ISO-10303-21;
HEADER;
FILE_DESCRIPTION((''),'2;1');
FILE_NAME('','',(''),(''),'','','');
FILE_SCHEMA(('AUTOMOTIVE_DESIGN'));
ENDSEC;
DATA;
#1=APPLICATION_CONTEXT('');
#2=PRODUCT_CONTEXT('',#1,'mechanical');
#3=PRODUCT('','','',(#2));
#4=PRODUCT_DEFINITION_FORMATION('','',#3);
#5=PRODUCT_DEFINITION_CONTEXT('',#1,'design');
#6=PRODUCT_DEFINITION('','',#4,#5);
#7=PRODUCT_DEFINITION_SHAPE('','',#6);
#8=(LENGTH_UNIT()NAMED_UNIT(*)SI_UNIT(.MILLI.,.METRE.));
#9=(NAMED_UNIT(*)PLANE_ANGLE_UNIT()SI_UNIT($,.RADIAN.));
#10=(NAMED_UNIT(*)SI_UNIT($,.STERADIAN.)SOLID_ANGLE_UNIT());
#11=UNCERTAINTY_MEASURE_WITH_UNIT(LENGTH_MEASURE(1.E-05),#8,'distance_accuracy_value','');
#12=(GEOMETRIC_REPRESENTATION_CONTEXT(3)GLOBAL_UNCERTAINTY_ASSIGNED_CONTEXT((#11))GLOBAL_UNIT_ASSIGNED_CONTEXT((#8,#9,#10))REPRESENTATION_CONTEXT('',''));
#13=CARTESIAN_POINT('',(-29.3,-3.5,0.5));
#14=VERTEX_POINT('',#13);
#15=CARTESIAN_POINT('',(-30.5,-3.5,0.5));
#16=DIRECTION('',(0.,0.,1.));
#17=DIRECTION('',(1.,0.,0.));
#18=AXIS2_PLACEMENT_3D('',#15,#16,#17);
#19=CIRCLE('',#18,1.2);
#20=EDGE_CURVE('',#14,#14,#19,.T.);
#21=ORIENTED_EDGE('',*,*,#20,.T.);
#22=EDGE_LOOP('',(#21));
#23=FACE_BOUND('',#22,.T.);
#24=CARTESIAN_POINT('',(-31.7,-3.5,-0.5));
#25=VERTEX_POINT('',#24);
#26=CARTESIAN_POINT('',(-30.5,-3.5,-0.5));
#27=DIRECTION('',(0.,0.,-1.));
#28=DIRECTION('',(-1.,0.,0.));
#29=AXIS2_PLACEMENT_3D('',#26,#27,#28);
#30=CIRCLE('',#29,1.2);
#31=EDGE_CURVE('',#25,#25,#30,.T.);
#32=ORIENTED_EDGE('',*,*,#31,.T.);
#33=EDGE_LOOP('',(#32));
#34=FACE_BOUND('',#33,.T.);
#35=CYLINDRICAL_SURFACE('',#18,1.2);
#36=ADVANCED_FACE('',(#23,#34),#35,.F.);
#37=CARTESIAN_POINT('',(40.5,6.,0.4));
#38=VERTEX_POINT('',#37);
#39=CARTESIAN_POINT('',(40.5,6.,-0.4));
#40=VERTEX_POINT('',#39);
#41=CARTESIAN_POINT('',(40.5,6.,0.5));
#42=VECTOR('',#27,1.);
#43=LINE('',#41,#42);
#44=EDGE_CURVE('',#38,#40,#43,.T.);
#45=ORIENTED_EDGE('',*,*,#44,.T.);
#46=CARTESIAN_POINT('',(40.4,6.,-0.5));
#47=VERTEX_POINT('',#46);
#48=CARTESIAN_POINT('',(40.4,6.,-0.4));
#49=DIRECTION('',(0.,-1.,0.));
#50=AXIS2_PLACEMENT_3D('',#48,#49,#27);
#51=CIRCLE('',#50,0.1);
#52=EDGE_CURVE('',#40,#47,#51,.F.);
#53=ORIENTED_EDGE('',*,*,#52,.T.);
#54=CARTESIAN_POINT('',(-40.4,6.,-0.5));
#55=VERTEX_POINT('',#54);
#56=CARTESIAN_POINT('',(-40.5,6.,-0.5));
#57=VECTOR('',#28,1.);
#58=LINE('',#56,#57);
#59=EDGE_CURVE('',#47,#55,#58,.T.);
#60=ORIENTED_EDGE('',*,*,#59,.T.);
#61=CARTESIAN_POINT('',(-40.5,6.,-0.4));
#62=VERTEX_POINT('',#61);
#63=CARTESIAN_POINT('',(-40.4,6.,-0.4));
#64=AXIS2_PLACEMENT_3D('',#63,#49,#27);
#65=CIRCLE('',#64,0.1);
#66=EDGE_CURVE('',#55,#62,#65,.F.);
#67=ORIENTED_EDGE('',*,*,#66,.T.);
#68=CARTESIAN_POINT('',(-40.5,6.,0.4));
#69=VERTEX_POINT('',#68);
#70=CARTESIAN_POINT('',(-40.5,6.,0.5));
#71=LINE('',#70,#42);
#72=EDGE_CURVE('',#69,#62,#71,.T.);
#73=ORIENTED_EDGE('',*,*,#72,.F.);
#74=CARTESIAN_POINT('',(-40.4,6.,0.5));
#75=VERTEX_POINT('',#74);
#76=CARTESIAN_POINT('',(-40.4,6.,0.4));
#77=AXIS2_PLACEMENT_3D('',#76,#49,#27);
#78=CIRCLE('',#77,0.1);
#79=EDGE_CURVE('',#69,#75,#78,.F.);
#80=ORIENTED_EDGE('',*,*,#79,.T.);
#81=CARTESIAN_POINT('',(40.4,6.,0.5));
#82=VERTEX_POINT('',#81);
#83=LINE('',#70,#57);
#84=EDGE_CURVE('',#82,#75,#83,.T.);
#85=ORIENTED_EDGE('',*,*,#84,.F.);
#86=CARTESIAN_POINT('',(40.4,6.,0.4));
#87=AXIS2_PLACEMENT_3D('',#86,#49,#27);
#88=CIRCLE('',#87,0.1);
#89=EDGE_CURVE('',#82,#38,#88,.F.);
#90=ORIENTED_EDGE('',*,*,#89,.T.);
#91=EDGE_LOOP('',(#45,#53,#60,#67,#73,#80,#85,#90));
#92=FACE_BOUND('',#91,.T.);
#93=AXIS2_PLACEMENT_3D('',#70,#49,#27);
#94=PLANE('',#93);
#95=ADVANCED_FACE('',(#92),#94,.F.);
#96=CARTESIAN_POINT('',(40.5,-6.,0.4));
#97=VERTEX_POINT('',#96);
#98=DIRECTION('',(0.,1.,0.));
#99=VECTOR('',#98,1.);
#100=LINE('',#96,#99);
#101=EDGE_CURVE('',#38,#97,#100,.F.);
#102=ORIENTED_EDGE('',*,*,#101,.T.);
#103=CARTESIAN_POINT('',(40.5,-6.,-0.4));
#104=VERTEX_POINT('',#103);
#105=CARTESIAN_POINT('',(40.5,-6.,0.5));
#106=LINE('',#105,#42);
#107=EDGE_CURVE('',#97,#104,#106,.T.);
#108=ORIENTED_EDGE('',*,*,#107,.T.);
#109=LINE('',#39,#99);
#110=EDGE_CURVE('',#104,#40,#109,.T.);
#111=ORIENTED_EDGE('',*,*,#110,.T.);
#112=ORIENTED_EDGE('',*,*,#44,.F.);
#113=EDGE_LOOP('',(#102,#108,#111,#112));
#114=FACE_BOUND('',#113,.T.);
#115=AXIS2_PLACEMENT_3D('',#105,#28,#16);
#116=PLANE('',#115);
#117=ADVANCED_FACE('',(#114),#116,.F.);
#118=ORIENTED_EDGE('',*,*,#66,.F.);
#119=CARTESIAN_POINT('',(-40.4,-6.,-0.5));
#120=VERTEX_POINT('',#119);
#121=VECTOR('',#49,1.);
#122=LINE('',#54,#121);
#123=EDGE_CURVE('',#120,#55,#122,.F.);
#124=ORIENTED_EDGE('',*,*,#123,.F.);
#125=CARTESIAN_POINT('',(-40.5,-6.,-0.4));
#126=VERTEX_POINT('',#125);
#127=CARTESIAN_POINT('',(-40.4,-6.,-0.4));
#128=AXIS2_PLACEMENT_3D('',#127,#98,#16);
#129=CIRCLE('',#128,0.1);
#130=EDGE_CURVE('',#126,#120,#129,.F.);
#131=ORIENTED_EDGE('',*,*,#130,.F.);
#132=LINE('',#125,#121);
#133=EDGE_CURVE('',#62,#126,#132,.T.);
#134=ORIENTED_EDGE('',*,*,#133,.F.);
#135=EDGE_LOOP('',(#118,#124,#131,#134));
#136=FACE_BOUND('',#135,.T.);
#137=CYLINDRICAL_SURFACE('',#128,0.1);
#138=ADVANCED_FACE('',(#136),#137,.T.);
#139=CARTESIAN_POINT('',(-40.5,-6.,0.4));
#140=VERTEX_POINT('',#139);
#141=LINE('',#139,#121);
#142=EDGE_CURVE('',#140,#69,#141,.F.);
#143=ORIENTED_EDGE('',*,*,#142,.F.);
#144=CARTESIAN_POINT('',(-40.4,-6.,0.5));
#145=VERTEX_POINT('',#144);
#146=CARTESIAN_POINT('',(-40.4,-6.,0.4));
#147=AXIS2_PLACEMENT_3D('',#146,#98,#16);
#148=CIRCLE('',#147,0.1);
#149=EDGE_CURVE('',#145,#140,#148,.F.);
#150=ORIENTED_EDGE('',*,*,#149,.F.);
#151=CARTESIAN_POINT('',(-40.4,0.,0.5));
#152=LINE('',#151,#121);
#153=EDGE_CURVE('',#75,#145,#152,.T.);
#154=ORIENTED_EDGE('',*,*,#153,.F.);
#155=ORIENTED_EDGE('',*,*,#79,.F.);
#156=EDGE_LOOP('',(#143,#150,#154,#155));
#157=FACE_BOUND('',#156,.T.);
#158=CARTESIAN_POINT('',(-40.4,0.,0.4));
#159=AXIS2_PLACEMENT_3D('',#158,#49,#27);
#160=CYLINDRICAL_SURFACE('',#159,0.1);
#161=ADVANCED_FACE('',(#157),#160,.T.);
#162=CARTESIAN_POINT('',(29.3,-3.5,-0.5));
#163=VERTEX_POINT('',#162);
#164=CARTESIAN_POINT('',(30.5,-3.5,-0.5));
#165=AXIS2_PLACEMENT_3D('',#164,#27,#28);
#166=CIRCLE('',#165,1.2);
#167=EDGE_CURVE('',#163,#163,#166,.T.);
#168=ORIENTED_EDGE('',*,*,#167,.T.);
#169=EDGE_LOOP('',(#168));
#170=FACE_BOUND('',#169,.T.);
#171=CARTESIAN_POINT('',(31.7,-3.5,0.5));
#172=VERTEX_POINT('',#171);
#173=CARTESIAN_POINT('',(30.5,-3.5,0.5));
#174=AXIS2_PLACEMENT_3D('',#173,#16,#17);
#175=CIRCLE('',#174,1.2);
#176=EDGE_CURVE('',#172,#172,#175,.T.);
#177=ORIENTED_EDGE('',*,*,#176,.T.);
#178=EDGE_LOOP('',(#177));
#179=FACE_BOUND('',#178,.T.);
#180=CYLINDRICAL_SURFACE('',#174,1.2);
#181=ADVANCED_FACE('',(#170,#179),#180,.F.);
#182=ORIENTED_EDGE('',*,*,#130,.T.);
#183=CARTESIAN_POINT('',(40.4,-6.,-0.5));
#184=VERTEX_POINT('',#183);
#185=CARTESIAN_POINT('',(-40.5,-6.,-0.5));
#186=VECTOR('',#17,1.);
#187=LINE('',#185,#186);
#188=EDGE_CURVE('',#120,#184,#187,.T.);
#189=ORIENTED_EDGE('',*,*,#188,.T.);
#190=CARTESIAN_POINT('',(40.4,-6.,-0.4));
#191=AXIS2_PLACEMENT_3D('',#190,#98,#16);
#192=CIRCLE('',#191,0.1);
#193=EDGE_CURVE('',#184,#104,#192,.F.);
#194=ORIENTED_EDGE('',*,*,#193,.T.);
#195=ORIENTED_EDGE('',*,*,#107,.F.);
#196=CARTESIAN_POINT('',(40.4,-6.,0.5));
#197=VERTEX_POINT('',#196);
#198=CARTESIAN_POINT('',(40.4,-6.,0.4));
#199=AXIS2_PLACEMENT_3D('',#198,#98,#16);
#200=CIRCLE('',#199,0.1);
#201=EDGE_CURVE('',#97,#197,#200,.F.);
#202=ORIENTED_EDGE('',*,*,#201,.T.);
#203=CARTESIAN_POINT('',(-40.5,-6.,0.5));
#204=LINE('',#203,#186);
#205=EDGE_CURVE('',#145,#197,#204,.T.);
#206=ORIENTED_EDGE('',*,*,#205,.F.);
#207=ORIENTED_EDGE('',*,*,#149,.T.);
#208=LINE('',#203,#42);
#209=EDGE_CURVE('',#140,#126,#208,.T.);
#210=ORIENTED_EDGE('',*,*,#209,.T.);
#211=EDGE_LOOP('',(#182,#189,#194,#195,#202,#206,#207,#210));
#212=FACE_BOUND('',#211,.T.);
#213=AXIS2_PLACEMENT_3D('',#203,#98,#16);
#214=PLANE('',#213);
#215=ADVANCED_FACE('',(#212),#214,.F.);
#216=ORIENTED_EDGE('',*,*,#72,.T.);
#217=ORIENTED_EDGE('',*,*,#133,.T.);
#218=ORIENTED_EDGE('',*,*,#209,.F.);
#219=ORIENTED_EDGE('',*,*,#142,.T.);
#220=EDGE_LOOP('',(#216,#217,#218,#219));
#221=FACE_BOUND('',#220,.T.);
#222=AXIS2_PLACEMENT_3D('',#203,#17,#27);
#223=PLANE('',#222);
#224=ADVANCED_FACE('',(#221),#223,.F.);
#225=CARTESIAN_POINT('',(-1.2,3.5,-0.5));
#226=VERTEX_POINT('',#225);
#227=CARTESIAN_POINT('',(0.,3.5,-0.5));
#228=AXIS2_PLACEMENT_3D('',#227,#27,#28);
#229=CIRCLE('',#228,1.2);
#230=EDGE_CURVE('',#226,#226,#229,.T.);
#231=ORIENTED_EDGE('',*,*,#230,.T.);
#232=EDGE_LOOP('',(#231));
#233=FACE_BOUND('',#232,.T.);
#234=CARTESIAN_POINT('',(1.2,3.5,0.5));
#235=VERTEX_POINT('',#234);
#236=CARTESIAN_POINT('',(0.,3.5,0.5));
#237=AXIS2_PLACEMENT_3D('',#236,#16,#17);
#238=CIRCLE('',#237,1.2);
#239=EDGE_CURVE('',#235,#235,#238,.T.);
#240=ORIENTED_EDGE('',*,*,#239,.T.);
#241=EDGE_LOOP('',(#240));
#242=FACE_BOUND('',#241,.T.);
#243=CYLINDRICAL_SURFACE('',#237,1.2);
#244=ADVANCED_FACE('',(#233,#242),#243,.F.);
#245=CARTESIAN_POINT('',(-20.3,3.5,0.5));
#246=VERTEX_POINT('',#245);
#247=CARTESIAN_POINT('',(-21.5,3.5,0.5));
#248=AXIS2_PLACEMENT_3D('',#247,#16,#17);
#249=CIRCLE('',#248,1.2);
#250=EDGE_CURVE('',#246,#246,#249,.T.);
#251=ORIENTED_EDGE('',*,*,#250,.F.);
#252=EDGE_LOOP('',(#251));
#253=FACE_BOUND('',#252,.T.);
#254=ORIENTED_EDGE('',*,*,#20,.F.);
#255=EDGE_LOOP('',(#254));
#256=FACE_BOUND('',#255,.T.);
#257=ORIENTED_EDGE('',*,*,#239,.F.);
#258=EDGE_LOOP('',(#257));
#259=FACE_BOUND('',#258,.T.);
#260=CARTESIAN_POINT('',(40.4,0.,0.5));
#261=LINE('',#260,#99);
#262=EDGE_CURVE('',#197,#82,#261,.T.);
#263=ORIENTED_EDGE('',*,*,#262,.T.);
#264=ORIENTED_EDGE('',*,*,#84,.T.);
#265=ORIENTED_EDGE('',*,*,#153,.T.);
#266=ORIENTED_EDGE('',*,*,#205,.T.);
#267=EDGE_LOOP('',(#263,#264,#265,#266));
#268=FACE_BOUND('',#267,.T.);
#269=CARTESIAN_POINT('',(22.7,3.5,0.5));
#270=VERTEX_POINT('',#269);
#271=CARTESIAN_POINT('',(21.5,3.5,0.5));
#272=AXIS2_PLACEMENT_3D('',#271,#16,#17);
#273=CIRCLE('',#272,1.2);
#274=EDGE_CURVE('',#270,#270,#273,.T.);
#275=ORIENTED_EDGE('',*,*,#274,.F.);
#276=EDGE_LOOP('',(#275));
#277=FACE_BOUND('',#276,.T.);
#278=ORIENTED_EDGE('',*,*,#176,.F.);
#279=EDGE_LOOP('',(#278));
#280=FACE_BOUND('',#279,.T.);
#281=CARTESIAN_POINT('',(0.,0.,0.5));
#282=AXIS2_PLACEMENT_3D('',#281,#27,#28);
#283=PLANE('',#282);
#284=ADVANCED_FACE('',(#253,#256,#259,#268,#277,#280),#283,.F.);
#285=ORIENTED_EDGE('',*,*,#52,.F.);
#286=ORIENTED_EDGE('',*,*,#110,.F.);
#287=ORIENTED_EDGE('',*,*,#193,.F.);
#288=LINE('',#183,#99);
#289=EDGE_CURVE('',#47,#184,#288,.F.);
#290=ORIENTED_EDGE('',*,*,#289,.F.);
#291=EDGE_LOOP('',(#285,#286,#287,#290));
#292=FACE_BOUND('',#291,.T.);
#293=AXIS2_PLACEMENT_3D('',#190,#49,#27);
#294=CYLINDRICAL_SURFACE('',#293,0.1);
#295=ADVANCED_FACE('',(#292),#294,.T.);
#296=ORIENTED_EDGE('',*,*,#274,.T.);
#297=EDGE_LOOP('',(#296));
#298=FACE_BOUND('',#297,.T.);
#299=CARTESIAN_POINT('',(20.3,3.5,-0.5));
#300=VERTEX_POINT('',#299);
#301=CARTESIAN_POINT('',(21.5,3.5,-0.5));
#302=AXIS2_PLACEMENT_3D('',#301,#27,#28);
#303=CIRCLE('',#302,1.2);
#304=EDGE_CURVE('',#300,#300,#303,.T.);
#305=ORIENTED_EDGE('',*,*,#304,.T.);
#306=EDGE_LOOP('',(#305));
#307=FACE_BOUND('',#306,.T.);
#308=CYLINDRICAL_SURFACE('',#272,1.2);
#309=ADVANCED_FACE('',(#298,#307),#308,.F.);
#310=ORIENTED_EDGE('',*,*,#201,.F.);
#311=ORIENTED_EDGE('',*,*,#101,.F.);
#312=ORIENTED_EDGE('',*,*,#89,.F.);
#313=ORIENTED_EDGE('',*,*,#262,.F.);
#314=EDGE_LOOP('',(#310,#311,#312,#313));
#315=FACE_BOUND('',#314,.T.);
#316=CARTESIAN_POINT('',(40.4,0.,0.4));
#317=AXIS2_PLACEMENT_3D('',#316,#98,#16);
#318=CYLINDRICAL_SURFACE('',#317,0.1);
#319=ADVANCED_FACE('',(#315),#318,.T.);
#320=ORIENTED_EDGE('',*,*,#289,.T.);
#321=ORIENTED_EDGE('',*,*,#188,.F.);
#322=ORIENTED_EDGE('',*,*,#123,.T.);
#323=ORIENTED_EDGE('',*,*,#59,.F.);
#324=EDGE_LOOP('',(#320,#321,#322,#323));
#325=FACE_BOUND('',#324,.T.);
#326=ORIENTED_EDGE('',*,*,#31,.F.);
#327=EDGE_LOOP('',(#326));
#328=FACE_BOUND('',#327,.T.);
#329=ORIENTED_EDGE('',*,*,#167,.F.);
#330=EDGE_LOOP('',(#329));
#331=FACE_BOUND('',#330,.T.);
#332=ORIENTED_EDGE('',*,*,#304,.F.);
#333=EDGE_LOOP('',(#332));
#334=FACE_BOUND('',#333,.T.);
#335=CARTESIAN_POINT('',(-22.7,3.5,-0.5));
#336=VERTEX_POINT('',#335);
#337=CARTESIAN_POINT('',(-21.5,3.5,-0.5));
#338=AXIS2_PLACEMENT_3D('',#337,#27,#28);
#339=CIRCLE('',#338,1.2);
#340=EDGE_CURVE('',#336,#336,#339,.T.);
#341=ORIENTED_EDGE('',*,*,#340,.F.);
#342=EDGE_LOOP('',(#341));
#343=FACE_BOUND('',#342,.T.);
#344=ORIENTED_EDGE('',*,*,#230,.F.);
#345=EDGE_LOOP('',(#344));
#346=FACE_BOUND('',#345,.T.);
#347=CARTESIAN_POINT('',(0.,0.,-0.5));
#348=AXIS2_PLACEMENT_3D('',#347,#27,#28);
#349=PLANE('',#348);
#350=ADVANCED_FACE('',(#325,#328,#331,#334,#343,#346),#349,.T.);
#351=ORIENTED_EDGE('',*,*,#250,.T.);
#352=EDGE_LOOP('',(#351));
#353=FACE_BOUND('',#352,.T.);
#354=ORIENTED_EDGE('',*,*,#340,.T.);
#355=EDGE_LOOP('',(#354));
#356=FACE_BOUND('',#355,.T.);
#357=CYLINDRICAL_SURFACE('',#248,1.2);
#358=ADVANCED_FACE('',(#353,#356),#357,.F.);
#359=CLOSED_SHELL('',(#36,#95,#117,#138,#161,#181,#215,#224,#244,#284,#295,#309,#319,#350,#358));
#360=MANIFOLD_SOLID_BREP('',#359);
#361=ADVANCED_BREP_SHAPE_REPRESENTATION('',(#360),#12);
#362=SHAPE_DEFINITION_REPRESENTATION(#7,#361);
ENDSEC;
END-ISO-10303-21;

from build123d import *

# Parameters (mm, degrees)
SKETCH1_W           = 81
SKETCH1_H           = 12
BOSS_EXTRUDE1_DEPTH = 0.5
M2_HOLE1_AD_D       = 2.4
M2_HOLE1_AD_DEPTH   = 100
M2_HOLE1_AD_TIP     = 0.721032743
M2_HOLE2_AD_D       = 2.4
M2_HOLE2_AD_DEPTH   = 100
M2_HOLE2_AD_TIP     = 0.721032743
M2_HOLE3_AE_D       = 2.4
M2_HOLE3_AE_DEPTH   = 200
M2_HOLE3_AE_TIP     = 0.721032743
FILLET1_R           = 0.1


with BuildPart() as part:
    # Sketch1 → Boss-Extrude1 (new, symmetric)
    with BuildSketch(Plane.XY):
        Rectangle(SKETCH1_W, SKETCH1_H)
    extrude(amount=BOSS_EXTRUDE1_DEPTH, both=True)

    # M2 Hole1 - AD
    with Locations(Plane.XY.offset(0.5)):
        with Locations((-30.5, -3.5), (30.5, -3.5)):
            Hole(M2_HOLE1_AD_D / 2, depth=M2_HOLE1_AD_DEPTH)
            with Locations((0, 0, -(M2_HOLE1_AD_DEPTH + M2_HOLE1_AD_TIP / 2))):  # 118° drill point
                Cone(0, M2_HOLE1_AD_D / 2, M2_HOLE1_AD_TIP, mode=Mode.SUBTRACT)

    # M2 Hole2 - AD
    with Locations(Plane.XY.offset(0.5)):
        with Locations((-21.5, 3.5), (21.5, 3.5)):
            Hole(M2_HOLE2_AD_D / 2, depth=M2_HOLE2_AD_DEPTH)
            with Locations((0, 0, -(M2_HOLE2_AD_DEPTH + M2_HOLE2_AD_TIP / 2))):  # 118° drill point
                Cone(0, M2_HOLE2_AD_D / 2, M2_HOLE2_AD_TIP, mode=Mode.SUBTRACT)

    # M2 Hole3 - AE
    with Locations(Plane.XY.offset(0.5)):
        with Locations((0, 3.5)):
            Hole(M2_HOLE3_AE_D / 2, depth=M2_HOLE3_AE_DEPTH)
            with Locations((0, 0, -(M2_HOLE3_AE_DEPTH + M2_HOLE3_AE_TIP / 2))):  # 118° drill point
                Cone(0, M2_HOLE3_AE_D / 2, M2_HOLE3_AE_TIP, mode=Mode.SUBTRACT)

    # Fillet1
    fillet1_edges = [part.edges().sort_by_distance(p)[0] for p in [
        (-40.5, 0, 0.5),
        (40.5, 0, 0.5),
        (-40.5, 0, -0.5),
        (40.5, 0, -0.5),
    ]]
    fillet(fillet1_edges, radius=FILLET1_R)


solid = part.part
